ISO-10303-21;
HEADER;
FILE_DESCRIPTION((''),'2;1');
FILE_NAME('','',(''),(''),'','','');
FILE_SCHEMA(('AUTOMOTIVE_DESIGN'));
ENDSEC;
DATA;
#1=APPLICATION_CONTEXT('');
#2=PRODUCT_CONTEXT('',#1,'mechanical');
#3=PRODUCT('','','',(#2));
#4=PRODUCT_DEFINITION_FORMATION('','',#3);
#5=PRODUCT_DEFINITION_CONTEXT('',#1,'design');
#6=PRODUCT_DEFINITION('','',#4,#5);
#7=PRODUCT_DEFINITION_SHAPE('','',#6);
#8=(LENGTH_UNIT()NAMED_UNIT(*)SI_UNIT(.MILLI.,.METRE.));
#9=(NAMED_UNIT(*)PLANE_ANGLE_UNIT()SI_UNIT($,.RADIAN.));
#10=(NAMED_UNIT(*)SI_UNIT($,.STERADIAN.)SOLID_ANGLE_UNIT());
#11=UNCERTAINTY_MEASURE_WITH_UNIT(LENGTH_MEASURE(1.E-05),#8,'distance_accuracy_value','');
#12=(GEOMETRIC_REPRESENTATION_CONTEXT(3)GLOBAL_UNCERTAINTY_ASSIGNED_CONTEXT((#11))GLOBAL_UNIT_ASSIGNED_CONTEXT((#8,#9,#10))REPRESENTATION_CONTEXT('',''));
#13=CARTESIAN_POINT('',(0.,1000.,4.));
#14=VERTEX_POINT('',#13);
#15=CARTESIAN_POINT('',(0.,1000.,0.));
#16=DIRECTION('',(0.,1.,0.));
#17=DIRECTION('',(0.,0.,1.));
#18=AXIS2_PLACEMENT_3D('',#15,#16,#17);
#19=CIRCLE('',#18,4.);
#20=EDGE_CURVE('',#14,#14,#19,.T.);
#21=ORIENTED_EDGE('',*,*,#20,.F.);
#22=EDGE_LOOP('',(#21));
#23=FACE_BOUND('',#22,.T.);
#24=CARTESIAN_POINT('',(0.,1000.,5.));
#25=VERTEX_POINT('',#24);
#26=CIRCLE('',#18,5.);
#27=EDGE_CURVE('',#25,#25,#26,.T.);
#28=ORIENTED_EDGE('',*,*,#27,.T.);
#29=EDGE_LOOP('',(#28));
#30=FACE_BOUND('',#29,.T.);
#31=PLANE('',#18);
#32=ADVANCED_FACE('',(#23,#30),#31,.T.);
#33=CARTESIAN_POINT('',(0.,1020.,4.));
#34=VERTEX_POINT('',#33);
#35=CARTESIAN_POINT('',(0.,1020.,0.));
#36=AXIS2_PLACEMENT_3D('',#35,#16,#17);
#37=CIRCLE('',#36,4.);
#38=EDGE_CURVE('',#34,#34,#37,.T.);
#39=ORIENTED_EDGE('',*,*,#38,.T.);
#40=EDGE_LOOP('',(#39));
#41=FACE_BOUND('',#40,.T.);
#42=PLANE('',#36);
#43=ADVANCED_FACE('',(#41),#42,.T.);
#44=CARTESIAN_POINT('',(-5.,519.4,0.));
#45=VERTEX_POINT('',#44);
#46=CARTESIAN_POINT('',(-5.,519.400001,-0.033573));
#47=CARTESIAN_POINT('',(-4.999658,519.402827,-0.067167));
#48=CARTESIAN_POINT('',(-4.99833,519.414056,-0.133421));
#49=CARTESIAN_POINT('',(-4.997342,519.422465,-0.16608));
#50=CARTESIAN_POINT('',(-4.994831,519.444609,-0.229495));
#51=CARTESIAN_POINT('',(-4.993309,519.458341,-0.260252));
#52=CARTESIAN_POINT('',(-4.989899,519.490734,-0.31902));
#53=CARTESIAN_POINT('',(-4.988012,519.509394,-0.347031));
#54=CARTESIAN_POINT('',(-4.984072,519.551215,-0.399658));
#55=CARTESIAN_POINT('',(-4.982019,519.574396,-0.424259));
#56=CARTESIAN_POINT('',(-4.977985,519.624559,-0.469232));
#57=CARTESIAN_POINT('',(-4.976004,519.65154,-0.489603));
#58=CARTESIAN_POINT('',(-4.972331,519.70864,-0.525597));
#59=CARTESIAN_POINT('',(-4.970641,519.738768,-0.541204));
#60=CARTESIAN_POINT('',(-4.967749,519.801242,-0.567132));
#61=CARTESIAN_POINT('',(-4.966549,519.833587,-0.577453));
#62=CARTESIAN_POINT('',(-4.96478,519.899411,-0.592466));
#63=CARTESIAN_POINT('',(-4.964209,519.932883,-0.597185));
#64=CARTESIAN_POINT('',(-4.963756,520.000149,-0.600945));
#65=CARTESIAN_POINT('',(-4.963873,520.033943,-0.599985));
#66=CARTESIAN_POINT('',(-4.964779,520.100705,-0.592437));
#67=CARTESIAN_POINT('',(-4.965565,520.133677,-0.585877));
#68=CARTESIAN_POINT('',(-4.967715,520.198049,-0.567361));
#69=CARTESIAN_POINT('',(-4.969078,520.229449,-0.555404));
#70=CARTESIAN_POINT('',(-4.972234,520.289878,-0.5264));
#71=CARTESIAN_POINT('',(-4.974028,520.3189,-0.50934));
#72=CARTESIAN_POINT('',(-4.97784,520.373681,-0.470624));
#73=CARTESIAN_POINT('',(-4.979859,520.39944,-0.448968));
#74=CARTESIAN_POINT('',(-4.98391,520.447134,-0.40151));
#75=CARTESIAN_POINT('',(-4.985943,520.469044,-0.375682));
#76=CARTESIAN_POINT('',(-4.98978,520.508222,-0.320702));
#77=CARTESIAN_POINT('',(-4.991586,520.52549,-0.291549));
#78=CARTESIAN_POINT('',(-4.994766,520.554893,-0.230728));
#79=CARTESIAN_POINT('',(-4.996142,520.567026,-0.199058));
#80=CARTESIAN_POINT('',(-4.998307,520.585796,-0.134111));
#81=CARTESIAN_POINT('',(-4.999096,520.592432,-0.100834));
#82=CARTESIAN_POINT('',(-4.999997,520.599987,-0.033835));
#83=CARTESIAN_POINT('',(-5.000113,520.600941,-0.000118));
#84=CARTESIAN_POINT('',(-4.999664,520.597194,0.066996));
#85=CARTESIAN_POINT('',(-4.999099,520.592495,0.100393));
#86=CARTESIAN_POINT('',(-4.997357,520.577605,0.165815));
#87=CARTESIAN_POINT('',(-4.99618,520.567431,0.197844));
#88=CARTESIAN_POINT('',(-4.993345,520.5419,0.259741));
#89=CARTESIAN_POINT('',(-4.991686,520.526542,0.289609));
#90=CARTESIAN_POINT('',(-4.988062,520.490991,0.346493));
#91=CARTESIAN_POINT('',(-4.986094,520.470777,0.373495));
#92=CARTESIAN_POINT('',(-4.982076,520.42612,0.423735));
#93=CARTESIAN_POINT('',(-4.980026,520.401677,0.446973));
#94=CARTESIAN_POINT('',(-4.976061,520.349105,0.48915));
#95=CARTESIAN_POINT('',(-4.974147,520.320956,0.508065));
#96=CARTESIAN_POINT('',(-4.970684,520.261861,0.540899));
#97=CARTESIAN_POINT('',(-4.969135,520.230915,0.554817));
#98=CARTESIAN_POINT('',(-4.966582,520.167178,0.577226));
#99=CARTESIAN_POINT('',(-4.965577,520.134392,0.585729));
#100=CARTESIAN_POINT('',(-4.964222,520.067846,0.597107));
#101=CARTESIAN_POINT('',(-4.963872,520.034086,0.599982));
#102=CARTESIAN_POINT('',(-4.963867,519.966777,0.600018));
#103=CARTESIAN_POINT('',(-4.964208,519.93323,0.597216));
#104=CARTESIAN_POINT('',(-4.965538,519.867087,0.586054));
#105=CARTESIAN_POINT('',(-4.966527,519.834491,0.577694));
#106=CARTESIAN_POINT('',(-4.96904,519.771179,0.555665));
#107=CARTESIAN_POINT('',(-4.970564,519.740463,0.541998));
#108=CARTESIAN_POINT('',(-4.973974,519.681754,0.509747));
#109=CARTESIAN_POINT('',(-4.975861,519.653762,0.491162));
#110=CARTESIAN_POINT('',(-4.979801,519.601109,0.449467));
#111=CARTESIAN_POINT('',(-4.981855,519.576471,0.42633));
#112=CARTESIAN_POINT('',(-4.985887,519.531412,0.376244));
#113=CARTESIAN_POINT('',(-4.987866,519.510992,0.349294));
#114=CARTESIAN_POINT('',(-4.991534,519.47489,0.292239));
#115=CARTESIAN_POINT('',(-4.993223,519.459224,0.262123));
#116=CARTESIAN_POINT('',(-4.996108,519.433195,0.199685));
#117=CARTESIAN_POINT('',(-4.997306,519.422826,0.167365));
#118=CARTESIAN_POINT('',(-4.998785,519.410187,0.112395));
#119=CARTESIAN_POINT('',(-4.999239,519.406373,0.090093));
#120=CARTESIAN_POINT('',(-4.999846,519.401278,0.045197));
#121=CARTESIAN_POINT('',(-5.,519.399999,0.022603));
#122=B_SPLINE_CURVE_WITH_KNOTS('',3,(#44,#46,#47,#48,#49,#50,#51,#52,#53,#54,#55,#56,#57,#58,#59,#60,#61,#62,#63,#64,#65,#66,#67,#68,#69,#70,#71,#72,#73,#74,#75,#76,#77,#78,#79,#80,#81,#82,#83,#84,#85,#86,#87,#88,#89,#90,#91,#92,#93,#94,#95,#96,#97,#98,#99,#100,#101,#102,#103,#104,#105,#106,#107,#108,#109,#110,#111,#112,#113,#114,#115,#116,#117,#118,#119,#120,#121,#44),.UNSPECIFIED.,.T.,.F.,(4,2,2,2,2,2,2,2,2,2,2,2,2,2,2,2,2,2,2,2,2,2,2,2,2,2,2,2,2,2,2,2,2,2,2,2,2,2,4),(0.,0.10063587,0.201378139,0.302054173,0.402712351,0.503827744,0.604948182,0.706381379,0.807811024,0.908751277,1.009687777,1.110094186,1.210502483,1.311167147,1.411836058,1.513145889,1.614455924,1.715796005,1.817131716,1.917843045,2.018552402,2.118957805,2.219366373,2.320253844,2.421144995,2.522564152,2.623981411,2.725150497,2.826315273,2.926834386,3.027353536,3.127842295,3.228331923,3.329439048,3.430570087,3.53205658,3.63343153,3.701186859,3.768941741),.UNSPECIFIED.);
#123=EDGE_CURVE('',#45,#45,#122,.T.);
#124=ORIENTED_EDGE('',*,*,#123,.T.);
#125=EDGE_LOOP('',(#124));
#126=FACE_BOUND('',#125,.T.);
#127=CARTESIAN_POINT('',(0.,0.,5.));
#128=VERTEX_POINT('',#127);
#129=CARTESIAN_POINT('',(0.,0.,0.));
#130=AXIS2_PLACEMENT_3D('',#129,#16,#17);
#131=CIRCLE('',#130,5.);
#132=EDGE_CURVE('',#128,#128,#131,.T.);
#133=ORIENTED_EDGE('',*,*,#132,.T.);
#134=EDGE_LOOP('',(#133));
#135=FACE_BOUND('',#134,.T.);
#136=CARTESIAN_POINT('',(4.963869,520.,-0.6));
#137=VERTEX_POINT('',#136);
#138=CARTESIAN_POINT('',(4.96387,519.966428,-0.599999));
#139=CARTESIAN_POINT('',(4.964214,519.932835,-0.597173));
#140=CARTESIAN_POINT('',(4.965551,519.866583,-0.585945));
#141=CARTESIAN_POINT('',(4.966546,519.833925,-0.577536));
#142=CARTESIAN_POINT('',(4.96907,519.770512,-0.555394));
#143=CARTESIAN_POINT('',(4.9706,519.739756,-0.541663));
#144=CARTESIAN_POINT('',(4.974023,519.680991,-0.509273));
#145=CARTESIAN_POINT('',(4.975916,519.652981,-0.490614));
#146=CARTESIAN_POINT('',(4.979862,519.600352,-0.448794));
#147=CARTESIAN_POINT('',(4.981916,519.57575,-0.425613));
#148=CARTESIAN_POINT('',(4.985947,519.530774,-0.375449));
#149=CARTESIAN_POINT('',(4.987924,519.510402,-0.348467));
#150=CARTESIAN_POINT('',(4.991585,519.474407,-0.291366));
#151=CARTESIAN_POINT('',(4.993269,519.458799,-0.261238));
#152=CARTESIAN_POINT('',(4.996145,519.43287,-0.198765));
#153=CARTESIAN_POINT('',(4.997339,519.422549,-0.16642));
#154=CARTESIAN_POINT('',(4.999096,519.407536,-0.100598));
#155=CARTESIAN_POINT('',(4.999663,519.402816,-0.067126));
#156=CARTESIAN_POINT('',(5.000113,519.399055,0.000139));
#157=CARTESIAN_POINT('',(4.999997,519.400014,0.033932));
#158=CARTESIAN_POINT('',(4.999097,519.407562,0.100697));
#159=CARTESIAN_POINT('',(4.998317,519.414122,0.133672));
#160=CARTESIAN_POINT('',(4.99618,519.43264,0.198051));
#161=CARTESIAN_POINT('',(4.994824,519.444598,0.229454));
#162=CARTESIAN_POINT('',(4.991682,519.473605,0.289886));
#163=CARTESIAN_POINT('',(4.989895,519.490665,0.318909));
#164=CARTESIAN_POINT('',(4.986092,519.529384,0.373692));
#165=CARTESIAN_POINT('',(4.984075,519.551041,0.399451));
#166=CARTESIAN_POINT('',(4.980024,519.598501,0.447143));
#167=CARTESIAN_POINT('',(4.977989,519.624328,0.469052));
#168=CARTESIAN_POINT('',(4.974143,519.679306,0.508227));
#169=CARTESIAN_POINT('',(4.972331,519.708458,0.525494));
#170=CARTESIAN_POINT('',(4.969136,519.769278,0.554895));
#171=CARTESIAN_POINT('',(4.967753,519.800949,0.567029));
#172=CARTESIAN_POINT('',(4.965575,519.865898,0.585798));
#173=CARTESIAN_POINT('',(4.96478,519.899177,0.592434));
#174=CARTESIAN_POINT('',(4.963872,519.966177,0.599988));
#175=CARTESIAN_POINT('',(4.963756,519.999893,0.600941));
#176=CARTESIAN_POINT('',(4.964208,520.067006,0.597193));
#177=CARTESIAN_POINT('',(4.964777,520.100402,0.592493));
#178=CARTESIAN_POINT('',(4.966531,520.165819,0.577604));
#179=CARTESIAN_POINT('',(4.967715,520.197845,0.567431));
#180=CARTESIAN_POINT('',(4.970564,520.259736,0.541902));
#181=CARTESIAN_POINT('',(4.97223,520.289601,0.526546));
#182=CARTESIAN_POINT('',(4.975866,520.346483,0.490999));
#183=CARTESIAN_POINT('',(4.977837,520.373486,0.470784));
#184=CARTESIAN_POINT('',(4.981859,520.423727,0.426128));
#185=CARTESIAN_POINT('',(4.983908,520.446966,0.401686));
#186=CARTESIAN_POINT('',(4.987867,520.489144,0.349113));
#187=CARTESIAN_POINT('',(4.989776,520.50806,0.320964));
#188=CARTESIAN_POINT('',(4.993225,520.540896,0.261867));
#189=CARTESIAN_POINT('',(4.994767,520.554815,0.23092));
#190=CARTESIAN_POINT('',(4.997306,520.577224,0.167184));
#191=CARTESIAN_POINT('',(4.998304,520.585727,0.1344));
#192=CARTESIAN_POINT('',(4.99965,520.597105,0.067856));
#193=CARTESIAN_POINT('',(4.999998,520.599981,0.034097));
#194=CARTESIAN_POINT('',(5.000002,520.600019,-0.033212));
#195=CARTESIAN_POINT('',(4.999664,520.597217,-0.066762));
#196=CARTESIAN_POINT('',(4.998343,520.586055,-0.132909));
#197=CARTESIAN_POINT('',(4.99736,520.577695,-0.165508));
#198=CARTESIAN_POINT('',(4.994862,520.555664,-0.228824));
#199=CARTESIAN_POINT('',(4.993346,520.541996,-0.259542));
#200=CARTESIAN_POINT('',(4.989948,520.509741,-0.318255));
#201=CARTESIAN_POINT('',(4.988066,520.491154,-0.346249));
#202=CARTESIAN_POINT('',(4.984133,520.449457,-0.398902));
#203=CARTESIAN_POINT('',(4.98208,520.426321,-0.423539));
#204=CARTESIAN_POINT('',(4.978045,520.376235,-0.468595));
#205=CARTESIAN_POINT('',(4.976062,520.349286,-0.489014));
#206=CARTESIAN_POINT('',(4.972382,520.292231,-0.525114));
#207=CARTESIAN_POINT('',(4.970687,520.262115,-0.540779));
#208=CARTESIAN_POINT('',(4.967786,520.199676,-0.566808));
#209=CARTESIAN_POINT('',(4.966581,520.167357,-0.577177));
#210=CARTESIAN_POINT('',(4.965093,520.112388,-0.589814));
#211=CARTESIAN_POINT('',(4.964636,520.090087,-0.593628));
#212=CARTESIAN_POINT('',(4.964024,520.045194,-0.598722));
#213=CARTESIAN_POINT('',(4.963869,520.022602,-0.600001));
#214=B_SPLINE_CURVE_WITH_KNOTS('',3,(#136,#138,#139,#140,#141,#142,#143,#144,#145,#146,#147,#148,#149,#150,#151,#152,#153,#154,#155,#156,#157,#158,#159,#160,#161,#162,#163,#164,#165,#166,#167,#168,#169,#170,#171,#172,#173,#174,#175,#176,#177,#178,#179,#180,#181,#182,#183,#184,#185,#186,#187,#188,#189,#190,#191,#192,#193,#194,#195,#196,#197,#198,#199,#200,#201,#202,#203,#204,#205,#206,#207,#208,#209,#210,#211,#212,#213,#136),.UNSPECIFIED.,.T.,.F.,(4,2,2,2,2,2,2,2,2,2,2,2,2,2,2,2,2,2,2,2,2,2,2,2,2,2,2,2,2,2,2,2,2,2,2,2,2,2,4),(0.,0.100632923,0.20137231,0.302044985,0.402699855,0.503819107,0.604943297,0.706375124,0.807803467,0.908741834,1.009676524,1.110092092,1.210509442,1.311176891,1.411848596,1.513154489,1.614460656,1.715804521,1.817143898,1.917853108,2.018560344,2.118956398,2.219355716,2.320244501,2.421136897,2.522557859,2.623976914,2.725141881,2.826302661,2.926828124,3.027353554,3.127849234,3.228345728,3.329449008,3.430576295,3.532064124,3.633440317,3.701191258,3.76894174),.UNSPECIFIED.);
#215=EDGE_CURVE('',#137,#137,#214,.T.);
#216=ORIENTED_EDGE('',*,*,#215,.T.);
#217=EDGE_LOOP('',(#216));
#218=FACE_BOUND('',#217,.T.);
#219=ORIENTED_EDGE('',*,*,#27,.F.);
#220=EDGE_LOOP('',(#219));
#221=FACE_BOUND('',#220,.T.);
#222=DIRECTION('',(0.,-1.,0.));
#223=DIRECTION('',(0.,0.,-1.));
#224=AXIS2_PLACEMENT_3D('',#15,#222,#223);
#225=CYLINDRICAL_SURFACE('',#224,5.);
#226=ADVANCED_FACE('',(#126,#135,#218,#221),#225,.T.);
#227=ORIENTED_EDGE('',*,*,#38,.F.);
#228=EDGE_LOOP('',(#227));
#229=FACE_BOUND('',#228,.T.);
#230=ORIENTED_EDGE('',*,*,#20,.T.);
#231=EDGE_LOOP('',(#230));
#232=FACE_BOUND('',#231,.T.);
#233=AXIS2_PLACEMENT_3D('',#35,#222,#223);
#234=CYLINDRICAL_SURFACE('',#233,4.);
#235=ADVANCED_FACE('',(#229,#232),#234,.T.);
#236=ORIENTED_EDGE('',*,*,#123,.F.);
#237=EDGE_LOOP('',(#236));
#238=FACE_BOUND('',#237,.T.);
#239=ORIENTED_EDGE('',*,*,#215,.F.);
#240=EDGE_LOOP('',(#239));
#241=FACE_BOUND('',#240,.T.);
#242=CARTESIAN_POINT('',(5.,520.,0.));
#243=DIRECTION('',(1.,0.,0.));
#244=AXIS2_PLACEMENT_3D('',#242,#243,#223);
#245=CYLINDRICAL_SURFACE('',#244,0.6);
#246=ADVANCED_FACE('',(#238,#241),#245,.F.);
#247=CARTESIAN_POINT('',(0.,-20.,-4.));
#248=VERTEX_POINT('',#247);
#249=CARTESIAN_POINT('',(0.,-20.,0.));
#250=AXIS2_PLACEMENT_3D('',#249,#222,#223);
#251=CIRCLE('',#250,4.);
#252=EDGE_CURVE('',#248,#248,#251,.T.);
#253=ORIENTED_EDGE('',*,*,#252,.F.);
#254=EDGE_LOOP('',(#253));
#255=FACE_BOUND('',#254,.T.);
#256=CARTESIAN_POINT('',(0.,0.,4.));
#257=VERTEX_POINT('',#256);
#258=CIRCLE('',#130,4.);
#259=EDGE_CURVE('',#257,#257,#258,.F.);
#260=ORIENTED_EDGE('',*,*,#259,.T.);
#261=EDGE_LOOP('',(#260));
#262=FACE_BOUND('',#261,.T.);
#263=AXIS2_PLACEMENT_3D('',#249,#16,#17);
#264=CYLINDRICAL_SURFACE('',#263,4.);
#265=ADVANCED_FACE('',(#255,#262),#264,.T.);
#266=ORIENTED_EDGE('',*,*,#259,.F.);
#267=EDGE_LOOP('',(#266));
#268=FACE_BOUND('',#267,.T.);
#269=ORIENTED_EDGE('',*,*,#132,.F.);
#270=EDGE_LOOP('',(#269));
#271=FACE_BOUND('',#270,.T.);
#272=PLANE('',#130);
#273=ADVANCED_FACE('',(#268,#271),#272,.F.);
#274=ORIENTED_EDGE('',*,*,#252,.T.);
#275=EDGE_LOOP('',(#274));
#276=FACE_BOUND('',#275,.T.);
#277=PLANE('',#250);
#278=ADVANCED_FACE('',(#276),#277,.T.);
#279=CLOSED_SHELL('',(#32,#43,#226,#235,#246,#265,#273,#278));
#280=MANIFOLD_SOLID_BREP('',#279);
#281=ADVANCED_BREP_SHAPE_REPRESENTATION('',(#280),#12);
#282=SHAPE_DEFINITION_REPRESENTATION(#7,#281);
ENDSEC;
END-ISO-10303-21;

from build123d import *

# Parameters (mm, degrees)
ESQUISSE1_R        = 5
BOSS_EXTRU_1_DEPTH = 1000
ESQUISSE2_R        = 4
BOSS_EXTRU_2_DEPTH = 20
BOSS_EXTRU_3_START = 20
ESQUISSE3_R        = 4
BOSS_EXTRU_3_DEPTH = 20
D_GAGEMENT_M11_D   = 1.2


with BuildPart() as part:
    # Esquisse1 → Boss.-Extru.1 (new body)
    with BuildSketch(Plane(origin=(0, 0, 0), x_dir=(1, 0, 0), z_dir=(0, 1, 0))):
        with Locations(Location((0, 0, 0), (0, 0, 270))):
            Circle(ESQUISSE1_R)
    extrude(amount=BOSS_EXTRU_1_DEPTH)

    # Esquisse2 → Boss.-Extru.2 (add)
    with BuildSketch(Plane(origin=(0, 1000, 0), x_dir=(1, 0, 0), z_dir=(0, 1, 0))):
        with Locations(Location((0, 0, 0), (0, 0, 270))):
            Circle(ESQUISSE2_R)
    extrude(amount=BOSS_EXTRU_2_DEPTH)

    # Esquisse3 → Boss.-Extru.3 (add)
    with BuildSketch(Plane(origin=(0, 0, 0), x_dir=(-1, 0, 0), z_dir=(0, -1, 0)).offset(BOSS_EXTRU_3_START)):
        with Locations(Location((0, 0, 0), (0, 0, 270))):
            Circle(ESQUISSE3_R)
    extrude(amount=-BOSS_EXTRU_3_DEPTH)

    # Dégagement M11 (through all)
    with Locations(Plane(origin=(5, 520, 0), x_dir=(0, 0, 1), z_dir=(1, 0, 0))):
        with Locations((0, 0)):
            Hole(D_GAGEMENT_M11_D / 2)


solid = part.part
